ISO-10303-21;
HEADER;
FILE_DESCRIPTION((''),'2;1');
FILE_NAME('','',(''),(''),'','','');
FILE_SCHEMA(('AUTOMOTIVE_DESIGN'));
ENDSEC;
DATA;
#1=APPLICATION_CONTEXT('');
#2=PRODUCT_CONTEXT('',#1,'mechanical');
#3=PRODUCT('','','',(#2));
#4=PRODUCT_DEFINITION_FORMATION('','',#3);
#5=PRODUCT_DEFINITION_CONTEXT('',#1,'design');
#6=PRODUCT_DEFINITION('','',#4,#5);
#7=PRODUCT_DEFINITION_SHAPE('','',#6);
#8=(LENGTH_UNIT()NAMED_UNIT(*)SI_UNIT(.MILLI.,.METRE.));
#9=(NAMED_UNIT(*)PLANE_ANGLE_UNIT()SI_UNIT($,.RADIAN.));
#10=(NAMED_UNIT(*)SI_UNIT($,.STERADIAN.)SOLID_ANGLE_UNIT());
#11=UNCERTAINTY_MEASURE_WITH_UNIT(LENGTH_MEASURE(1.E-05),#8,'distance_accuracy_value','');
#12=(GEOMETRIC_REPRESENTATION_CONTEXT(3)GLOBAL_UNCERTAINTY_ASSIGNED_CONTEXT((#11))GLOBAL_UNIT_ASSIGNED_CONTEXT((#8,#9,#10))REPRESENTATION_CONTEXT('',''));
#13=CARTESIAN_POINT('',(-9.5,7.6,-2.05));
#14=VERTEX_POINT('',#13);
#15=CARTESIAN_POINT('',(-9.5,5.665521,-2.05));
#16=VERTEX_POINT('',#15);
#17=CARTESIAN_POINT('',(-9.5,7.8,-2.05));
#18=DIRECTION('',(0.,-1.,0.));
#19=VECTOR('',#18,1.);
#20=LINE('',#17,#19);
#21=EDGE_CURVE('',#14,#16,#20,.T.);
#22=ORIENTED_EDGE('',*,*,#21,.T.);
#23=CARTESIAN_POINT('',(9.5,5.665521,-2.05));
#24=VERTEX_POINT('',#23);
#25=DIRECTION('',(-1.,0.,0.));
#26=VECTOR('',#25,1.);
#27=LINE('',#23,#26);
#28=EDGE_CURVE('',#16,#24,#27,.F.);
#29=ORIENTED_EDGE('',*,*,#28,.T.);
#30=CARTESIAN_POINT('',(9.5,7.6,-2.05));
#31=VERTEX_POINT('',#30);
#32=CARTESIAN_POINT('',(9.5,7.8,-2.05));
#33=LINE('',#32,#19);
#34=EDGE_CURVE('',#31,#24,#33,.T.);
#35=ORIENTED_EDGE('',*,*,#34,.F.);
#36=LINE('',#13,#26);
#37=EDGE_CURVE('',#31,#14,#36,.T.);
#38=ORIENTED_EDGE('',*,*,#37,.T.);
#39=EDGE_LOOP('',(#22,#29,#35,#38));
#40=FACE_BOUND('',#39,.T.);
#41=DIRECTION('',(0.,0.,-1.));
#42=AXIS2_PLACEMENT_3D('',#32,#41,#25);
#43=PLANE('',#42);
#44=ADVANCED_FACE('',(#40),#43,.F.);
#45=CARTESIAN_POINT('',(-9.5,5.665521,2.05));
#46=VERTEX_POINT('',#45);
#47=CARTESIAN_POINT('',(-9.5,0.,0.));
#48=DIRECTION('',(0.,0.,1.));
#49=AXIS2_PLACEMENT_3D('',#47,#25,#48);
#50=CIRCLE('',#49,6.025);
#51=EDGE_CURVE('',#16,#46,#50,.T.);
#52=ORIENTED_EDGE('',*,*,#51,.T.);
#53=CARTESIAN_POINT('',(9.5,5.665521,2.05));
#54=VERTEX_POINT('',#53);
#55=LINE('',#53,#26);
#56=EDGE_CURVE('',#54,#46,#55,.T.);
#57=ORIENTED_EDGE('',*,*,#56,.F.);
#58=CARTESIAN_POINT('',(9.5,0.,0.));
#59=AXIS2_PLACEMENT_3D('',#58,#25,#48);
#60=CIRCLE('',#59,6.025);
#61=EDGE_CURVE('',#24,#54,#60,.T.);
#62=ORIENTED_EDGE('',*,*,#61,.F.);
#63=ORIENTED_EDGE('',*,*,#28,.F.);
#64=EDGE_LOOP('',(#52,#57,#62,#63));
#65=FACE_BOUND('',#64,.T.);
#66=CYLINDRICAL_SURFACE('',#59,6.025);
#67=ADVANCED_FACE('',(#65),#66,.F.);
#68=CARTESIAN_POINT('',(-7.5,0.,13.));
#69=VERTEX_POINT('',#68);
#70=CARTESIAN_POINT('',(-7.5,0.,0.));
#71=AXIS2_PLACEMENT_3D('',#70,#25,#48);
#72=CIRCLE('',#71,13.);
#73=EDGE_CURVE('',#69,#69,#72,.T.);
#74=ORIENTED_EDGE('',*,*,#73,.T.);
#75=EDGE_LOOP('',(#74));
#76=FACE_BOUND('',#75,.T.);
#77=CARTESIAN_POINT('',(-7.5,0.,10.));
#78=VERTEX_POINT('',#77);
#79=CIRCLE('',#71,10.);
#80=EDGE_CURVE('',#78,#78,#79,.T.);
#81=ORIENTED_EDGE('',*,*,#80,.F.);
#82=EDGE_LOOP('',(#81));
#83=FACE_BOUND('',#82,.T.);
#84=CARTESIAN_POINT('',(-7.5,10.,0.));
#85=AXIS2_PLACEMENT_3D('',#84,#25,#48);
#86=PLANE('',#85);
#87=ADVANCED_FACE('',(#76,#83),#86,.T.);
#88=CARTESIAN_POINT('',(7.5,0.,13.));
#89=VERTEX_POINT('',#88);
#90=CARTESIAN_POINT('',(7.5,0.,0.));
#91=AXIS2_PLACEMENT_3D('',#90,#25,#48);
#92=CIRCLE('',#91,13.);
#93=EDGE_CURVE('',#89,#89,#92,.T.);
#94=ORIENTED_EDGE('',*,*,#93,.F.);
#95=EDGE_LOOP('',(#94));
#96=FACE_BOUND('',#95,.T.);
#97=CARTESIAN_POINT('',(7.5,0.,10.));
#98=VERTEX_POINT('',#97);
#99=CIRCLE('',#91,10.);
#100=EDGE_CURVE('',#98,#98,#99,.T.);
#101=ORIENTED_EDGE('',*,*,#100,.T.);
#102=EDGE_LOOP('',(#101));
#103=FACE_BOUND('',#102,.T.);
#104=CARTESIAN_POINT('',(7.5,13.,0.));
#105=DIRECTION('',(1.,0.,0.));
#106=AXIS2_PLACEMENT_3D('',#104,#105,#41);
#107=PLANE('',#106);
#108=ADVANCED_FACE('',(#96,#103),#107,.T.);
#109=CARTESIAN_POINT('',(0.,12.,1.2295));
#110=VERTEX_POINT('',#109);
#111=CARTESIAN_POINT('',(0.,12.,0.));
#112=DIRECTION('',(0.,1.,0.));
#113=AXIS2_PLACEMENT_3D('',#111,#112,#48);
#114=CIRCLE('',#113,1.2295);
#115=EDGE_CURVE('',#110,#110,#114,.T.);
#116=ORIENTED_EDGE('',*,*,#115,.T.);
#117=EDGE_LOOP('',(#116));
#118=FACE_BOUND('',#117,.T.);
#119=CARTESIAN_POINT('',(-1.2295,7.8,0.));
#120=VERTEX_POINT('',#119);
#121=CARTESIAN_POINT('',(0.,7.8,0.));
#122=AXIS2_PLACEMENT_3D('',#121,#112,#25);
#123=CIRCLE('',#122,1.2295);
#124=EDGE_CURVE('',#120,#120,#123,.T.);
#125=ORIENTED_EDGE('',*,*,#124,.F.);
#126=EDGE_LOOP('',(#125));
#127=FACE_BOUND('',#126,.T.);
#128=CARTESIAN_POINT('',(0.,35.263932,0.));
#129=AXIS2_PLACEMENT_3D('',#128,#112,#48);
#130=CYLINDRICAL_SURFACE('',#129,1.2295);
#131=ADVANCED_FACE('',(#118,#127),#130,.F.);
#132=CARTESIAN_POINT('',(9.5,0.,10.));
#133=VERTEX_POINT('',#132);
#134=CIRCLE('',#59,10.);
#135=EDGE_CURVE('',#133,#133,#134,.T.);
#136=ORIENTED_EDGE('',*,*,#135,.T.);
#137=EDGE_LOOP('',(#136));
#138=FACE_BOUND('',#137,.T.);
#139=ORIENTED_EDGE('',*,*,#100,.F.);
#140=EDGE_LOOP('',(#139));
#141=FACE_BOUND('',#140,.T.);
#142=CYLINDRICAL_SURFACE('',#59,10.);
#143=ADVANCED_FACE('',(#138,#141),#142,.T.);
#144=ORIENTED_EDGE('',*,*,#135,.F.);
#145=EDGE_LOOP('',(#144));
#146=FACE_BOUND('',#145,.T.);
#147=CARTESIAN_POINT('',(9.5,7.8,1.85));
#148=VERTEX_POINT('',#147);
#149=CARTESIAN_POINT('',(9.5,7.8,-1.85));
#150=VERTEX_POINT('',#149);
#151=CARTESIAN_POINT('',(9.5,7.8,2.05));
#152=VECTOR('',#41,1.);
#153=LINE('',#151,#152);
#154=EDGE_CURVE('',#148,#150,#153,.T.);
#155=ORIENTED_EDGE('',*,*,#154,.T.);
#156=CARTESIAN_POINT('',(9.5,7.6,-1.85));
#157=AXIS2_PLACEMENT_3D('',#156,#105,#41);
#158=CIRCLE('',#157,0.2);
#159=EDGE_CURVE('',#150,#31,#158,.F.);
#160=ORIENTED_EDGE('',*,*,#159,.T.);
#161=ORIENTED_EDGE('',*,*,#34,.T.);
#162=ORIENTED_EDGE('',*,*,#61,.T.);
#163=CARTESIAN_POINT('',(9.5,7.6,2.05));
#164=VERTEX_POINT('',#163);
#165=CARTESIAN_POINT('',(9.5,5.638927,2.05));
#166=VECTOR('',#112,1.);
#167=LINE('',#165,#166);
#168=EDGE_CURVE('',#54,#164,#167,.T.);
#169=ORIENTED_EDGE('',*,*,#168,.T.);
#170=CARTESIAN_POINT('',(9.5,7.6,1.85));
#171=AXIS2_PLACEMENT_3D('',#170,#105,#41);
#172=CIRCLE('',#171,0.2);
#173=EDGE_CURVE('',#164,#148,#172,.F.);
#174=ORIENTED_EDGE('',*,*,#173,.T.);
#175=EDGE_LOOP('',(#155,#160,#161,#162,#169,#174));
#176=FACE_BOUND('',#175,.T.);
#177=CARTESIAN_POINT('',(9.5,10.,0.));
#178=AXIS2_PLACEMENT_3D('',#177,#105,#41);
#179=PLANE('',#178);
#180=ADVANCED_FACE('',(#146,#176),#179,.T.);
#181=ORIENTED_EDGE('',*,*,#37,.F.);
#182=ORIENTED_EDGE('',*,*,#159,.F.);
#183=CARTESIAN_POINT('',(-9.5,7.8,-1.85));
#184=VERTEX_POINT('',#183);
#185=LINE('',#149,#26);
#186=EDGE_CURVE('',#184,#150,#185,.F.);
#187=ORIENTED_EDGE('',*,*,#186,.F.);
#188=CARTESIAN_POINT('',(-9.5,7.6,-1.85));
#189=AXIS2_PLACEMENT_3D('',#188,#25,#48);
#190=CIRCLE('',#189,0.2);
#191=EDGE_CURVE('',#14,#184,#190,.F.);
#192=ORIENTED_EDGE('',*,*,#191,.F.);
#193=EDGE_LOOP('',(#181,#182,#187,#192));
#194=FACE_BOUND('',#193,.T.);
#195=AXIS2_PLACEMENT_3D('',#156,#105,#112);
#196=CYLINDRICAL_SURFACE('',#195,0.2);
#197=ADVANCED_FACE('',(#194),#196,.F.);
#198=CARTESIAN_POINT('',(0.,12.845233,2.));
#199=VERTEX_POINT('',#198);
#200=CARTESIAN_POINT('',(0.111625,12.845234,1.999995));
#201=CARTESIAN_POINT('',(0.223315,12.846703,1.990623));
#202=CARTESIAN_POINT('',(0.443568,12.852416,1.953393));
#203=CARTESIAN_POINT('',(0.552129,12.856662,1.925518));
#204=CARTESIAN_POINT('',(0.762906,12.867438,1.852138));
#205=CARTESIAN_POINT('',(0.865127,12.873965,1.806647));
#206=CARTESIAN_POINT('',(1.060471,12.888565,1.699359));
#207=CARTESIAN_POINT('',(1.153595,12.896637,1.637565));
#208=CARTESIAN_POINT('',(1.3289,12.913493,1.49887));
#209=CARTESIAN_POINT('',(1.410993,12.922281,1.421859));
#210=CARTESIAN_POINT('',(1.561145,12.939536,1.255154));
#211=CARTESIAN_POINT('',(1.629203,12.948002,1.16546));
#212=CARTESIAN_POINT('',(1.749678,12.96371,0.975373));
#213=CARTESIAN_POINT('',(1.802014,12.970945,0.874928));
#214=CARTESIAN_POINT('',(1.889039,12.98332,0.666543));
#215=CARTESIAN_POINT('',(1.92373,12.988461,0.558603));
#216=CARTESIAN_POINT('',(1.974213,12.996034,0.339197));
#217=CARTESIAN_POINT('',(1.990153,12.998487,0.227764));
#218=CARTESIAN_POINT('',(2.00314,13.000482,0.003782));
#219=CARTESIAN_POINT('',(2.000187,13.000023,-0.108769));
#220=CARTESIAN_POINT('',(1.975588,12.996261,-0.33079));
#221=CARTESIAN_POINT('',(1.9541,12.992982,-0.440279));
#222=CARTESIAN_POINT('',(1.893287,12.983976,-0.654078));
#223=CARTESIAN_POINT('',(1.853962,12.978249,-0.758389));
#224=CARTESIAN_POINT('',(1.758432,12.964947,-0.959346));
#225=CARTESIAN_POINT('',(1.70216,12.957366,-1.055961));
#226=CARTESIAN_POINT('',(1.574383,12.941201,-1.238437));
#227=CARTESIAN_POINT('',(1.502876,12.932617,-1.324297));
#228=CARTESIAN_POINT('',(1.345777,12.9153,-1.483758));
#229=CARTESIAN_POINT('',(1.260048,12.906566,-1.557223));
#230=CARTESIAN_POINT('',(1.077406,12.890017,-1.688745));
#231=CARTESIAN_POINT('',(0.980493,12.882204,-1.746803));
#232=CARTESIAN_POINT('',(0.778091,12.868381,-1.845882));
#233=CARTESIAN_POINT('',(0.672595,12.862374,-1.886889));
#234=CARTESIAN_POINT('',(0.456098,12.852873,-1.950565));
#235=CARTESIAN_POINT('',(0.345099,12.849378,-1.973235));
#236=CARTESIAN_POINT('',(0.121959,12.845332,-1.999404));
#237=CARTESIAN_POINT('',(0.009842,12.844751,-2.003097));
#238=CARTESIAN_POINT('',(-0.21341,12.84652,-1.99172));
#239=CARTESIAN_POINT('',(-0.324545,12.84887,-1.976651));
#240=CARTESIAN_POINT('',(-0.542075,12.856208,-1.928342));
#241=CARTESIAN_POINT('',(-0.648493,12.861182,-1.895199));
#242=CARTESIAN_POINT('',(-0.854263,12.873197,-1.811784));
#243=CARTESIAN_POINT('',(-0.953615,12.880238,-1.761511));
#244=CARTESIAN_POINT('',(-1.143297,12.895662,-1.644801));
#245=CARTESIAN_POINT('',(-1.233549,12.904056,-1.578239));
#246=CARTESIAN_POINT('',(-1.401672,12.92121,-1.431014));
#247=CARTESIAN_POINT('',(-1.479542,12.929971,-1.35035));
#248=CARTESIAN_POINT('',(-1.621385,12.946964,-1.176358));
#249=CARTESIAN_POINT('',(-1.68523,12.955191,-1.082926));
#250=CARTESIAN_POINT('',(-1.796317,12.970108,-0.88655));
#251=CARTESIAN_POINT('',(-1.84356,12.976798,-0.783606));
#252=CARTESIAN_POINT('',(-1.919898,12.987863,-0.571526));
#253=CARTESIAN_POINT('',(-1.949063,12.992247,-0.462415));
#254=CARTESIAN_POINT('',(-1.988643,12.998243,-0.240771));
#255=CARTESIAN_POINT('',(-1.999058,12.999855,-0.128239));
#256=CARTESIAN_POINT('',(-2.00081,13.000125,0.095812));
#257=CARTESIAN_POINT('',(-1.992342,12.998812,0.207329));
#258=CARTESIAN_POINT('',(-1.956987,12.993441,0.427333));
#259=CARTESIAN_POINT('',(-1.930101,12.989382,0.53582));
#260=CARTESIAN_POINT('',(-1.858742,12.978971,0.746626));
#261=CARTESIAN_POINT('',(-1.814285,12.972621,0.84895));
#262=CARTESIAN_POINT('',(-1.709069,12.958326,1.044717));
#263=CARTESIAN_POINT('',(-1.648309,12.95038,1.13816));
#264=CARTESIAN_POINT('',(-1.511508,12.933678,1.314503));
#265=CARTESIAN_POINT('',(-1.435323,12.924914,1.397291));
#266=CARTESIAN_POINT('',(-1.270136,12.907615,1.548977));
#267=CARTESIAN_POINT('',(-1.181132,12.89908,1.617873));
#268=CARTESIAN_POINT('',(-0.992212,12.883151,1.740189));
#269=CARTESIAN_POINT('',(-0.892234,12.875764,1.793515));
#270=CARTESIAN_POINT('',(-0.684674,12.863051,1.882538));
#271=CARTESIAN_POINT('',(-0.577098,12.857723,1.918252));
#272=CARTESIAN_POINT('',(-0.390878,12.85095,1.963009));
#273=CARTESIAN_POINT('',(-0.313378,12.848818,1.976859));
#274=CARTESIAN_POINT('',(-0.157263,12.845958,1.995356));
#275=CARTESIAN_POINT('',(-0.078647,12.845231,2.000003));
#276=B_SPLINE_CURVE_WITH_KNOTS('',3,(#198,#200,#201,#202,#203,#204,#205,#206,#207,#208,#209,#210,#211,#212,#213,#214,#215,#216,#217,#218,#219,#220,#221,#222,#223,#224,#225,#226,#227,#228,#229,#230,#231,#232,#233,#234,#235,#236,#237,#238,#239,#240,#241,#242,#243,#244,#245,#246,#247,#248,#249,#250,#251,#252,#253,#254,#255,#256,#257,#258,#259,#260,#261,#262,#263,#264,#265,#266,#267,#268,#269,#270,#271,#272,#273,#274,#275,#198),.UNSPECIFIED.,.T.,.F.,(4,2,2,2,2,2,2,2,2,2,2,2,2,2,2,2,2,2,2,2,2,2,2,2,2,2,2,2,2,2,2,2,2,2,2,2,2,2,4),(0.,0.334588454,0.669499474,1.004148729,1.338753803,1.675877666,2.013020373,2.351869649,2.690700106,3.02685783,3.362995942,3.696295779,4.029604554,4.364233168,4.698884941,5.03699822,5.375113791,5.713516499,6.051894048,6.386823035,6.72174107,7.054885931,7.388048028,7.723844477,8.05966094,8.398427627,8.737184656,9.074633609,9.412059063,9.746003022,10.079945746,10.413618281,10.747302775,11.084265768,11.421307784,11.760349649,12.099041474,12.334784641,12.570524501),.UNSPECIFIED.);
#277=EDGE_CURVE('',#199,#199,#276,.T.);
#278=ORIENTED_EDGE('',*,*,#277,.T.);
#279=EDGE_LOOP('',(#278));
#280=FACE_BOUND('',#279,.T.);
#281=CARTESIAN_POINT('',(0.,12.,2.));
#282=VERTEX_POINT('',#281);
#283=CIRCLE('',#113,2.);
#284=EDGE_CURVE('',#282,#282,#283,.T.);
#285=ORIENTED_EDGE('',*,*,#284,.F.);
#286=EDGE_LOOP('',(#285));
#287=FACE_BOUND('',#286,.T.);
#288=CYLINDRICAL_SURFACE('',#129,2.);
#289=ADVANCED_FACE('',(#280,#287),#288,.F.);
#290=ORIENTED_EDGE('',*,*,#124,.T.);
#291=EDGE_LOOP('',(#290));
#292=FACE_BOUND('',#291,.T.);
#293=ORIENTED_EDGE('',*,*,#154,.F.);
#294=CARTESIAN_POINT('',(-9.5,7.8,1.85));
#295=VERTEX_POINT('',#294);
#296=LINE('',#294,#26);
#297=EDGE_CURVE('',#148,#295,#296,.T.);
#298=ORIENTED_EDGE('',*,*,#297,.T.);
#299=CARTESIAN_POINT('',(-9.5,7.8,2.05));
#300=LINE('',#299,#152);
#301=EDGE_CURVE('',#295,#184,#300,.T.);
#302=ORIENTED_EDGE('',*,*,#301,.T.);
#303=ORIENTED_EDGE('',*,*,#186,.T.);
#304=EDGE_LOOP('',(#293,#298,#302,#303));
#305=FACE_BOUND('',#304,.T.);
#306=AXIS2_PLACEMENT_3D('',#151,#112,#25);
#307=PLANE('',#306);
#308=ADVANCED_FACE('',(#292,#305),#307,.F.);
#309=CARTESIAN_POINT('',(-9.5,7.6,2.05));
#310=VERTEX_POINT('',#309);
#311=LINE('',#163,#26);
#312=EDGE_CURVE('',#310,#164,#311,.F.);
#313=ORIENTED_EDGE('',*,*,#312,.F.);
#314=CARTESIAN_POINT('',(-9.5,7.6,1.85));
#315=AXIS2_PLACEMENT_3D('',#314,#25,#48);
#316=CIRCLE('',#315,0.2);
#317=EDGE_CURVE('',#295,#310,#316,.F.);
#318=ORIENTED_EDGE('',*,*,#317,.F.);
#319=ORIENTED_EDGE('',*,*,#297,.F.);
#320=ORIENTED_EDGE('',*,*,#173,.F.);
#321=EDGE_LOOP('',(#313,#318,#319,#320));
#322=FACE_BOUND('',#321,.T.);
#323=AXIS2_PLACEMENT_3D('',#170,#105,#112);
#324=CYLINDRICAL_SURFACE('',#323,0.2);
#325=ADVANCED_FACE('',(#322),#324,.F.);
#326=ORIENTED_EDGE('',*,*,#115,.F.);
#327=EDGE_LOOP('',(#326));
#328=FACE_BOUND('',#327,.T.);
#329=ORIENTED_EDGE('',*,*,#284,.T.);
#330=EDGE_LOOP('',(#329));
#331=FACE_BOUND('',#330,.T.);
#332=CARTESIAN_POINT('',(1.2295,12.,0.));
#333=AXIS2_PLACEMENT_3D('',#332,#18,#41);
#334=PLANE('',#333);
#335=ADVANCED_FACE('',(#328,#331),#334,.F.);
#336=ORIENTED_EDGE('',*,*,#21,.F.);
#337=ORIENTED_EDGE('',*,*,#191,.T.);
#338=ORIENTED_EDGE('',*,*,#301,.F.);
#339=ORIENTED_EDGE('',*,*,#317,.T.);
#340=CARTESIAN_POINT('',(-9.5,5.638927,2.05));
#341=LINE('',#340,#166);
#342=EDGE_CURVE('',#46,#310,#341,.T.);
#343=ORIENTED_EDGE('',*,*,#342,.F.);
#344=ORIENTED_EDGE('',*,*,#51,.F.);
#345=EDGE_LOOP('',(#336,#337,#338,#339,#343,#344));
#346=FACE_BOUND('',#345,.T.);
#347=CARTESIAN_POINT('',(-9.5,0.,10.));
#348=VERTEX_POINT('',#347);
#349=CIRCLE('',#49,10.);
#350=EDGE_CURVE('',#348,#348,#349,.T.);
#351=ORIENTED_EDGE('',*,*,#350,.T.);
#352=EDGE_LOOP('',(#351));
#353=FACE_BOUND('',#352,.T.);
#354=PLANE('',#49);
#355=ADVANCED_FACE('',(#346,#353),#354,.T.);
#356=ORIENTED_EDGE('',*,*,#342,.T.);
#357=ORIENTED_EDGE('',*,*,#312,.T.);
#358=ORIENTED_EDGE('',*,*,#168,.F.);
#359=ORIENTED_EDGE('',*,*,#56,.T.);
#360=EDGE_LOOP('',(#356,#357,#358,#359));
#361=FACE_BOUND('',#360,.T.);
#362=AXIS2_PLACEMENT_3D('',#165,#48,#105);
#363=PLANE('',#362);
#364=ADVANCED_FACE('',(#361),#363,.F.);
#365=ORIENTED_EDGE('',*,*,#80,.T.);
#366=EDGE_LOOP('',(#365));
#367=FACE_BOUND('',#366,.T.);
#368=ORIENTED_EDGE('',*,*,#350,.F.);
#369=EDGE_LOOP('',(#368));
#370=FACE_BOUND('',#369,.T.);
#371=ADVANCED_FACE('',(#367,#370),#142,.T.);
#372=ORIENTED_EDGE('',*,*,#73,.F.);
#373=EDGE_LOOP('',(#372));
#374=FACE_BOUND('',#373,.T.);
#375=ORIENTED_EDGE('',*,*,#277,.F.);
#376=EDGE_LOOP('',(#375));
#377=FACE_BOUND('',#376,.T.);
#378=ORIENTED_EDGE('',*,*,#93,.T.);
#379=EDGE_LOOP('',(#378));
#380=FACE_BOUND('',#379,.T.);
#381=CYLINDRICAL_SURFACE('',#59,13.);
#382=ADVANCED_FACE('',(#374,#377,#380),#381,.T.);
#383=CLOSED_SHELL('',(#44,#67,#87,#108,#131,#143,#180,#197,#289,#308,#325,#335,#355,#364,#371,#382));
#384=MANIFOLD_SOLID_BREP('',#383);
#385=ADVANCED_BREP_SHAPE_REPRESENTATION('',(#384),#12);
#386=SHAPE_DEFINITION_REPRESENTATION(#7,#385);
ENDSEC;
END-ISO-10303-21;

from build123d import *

# Parameters (mm, degrees)
CUT_EXTRUDE1_DEPTH                               = 27.438608133
SKETCH3_W                                        = 19
SKETCH3_H                                        = 6.025
CBORE_FOR_M2_HEX_HEAD_MACHINE_SCREW2_D           = 2.459
CBORE_FOR_M2_HEX_HEAD_MACHINE_SCREW2_DEPTH       = 27.463932023
CBORE_FOR_M2_HEX_HEAD_MACHINE_SCREW2_CBORE_D     = 4
CBORE_FOR_M2_HEX_HEAD_MACHINE_SCREW2_CBORE_DEPTH = 23.263932023
FILLET1_R                                        = 0.2


with BuildPart() as part:
    # Sketch1 → Revolve1 (revolve)
    with BuildSketch(Plane(origin=(0, 0, 0), x_dir=(-1, 0, 0), z_dir=(0, 0, -1)), mode=Mode.PRIVATE) as revolve1_sk:
        Polygon((-9.5, 10), (-9.5, 0), (9.5, 0), (9.5, 10), (7.5, 10), (7.5, 13), (-7.5, 13), (-7.5, 10), align=None)
    revolve(revolve1_sk.sketch.rotate(Axis((9.5, 0, 0), (-1, 0, 0)), 270), axis=Axis((9.5, 0, 0), (-1, 0, 0)))

    # Sketch2 → Cut-Extrude1 (cut, through all)
    with BuildSketch(Plane.ZY.offset(9.5)):
        with BuildLine():
            Line((2.05, 5.638927203), (2.05, 7.8))
            Line((2.05, 7.8), (-2.05, 7.8))
            Line((-2.05, 7.8), (-2.05, 5.638927203))
            ThreePointArc((-2.05, 5.638927203), (0, 6), (2.05, 5.638927203))
        make_face()
    extrude(amount=-CUT_EXTRUDE1_DEPTH, mode=Mode.SUBTRACT)

    # Sketch3 → 0.5mm clearance (revolve, cut)
    with BuildSketch(Plane(origin=(0, 0, 0), x_dir=(-1, 0, 0), z_dir=(0, 0, -1))):
        with Locations((0, 3.0125)):
            Rectangle(SKETCH3_W, SKETCH3_H)
    revolve(axis=Axis((9.5, 0, 0), (-1, 0, 0)), mode=Mode.SUBTRACT)

    # CBORE for M2 Hex Head Machine Screw2
    with Locations(Plane(origin=(0, 35.263932023, 0), x_dir=(1, 0, 0), z_dir=(0, 1, 0))):
        with Locations((0, 0)):
            CounterBoreHole(CBORE_FOR_M2_HEX_HEAD_MACHINE_SCREW2_D / 2, CBORE_FOR_M2_HEX_HEAD_MACHINE_SCREW2_CBORE_D / 2, CBORE_FOR_M2_HEX_HEAD_MACHINE_SCREW2_CBORE_DEPTH, depth=CBORE_FOR_M2_HEX_HEAD_MACHINE_SCREW2_DEPTH)

    # Fillet1
    fillet1_edges = [part.edges().sort_by_distance(p)[0] for p in [
        (0, 7.8, -2.05),
        (0, 7.8, 2.05),
    ]]
    fillet(fillet1_edges, radius=FILLET1_R)


solid = part.part
